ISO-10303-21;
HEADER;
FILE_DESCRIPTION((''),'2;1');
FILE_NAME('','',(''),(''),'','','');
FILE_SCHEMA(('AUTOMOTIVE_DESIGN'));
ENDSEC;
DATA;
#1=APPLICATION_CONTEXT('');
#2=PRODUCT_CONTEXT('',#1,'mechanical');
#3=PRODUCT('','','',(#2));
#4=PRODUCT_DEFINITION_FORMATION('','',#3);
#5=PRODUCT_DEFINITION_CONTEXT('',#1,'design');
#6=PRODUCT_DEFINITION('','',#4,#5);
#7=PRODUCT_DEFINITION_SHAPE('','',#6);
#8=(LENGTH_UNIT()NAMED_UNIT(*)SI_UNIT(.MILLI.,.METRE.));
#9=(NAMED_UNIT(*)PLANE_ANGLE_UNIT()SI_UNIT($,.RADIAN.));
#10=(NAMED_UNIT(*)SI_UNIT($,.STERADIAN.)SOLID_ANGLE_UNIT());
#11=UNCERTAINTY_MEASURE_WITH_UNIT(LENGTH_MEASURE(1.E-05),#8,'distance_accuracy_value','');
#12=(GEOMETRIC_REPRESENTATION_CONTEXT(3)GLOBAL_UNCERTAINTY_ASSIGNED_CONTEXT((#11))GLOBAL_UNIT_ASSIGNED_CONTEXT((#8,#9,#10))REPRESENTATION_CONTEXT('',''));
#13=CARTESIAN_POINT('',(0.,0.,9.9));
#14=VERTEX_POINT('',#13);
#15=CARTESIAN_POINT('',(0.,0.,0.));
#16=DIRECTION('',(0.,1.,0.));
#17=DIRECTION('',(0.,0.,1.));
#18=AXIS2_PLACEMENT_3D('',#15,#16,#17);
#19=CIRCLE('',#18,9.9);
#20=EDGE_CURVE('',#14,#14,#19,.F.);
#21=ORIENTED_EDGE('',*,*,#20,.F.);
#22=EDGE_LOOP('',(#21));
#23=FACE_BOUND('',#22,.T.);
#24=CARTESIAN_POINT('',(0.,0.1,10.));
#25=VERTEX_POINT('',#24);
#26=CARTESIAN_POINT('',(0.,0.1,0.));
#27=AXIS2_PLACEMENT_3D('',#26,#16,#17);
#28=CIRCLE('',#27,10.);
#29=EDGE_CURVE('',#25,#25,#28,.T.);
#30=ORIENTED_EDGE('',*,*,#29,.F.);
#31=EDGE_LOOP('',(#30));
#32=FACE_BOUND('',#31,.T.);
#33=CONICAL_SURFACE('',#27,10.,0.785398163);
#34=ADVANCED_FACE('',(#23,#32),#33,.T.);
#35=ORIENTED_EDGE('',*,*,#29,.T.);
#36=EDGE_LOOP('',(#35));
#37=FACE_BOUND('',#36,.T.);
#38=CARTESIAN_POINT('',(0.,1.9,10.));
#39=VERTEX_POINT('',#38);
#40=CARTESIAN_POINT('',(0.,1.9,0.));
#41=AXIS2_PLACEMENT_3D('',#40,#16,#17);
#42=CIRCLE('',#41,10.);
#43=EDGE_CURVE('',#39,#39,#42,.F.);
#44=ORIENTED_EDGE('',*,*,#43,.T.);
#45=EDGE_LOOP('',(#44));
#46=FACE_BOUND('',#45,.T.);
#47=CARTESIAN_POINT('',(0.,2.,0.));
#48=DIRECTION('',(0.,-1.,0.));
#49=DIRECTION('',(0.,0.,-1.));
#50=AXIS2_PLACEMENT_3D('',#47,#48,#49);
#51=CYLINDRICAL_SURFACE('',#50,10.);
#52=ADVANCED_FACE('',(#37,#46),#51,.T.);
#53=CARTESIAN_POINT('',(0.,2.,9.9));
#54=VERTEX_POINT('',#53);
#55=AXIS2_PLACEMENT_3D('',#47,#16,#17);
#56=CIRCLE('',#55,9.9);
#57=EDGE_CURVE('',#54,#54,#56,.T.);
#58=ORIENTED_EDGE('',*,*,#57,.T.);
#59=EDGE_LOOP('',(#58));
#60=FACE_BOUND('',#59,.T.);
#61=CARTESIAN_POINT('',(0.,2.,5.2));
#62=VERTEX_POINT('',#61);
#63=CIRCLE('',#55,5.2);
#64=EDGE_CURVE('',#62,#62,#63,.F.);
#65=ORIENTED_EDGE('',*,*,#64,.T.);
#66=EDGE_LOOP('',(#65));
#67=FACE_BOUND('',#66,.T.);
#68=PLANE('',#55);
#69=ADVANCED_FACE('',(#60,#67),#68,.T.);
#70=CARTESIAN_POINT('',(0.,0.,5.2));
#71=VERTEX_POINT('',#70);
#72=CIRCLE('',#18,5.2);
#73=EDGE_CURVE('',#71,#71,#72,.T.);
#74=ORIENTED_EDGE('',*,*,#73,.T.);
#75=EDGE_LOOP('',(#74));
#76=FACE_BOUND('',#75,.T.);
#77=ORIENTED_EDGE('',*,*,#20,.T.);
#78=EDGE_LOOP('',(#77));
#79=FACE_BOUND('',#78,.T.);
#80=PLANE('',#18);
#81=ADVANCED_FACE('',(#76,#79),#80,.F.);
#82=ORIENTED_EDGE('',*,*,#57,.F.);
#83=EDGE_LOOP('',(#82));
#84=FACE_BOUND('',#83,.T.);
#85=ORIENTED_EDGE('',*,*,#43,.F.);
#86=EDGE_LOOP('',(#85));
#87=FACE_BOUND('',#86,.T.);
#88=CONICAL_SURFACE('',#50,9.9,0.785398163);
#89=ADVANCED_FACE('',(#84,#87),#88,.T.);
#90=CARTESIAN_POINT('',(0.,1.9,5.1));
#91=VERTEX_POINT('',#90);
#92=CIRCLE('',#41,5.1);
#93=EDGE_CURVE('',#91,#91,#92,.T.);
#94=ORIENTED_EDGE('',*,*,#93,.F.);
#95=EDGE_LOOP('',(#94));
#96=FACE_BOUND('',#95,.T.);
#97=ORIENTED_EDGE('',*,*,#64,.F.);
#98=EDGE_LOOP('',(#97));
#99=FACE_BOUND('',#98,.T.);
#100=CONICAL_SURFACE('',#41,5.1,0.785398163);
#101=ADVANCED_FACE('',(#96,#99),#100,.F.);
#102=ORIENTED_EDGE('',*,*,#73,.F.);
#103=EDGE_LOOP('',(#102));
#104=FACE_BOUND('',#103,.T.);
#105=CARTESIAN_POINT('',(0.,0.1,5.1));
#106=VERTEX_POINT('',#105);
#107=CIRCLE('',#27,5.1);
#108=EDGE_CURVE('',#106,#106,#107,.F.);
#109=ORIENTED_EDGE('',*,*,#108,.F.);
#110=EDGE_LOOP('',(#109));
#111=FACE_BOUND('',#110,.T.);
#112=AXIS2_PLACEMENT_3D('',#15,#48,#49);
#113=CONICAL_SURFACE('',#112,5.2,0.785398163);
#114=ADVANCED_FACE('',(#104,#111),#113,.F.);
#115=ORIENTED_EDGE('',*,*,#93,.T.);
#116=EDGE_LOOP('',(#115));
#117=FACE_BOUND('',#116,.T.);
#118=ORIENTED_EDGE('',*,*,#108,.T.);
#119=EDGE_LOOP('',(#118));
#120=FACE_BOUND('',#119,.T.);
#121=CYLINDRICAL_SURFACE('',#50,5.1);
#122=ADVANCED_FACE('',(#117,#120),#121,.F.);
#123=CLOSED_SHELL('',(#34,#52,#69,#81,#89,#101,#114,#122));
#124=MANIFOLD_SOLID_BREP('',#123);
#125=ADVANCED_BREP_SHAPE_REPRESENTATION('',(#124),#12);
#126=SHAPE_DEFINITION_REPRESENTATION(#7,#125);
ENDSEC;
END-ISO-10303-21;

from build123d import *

# Parameters (mm, degrees)
ESQUISSE1_R          = 10
ESQUISSE1_R_2        = 5.1
BASE_EXTRUSION_DEPTH = 2
CHANFREIN1_SIZE      = 0.1


with BuildPart() as part:
    # Esquisse1 → Base-Extrusion (new body)
    with BuildSketch(Plane(origin=(0, 0, 0), x_dir=(1, 0, 0), z_dir=(0, 1, 0))):
        with Locations(Location((0, 0, 0), (0, 0, 270))):
            Circle(ESQUISSE1_R)
        with Locations(Location((0, 0, 0), (0, 0, 270))):
            Circle(ESQUISSE1_R_2, mode=Mode.SUBTRACT)
    extrude(amount=BASE_EXTRUSION_DEPTH)

    # Chanfrein1
    chanfrein1_edges = [part.edges().sort_by_distance(p)[0] for p in [
        (0, 0, -10),
        (0, 2, -10),
        (0, 0, -5.1),
        (0, 2, -5.1),
    ]]
    chamfer(chanfrein1_edges, length=CHANFREIN1_SIZE)


solid = part.part
